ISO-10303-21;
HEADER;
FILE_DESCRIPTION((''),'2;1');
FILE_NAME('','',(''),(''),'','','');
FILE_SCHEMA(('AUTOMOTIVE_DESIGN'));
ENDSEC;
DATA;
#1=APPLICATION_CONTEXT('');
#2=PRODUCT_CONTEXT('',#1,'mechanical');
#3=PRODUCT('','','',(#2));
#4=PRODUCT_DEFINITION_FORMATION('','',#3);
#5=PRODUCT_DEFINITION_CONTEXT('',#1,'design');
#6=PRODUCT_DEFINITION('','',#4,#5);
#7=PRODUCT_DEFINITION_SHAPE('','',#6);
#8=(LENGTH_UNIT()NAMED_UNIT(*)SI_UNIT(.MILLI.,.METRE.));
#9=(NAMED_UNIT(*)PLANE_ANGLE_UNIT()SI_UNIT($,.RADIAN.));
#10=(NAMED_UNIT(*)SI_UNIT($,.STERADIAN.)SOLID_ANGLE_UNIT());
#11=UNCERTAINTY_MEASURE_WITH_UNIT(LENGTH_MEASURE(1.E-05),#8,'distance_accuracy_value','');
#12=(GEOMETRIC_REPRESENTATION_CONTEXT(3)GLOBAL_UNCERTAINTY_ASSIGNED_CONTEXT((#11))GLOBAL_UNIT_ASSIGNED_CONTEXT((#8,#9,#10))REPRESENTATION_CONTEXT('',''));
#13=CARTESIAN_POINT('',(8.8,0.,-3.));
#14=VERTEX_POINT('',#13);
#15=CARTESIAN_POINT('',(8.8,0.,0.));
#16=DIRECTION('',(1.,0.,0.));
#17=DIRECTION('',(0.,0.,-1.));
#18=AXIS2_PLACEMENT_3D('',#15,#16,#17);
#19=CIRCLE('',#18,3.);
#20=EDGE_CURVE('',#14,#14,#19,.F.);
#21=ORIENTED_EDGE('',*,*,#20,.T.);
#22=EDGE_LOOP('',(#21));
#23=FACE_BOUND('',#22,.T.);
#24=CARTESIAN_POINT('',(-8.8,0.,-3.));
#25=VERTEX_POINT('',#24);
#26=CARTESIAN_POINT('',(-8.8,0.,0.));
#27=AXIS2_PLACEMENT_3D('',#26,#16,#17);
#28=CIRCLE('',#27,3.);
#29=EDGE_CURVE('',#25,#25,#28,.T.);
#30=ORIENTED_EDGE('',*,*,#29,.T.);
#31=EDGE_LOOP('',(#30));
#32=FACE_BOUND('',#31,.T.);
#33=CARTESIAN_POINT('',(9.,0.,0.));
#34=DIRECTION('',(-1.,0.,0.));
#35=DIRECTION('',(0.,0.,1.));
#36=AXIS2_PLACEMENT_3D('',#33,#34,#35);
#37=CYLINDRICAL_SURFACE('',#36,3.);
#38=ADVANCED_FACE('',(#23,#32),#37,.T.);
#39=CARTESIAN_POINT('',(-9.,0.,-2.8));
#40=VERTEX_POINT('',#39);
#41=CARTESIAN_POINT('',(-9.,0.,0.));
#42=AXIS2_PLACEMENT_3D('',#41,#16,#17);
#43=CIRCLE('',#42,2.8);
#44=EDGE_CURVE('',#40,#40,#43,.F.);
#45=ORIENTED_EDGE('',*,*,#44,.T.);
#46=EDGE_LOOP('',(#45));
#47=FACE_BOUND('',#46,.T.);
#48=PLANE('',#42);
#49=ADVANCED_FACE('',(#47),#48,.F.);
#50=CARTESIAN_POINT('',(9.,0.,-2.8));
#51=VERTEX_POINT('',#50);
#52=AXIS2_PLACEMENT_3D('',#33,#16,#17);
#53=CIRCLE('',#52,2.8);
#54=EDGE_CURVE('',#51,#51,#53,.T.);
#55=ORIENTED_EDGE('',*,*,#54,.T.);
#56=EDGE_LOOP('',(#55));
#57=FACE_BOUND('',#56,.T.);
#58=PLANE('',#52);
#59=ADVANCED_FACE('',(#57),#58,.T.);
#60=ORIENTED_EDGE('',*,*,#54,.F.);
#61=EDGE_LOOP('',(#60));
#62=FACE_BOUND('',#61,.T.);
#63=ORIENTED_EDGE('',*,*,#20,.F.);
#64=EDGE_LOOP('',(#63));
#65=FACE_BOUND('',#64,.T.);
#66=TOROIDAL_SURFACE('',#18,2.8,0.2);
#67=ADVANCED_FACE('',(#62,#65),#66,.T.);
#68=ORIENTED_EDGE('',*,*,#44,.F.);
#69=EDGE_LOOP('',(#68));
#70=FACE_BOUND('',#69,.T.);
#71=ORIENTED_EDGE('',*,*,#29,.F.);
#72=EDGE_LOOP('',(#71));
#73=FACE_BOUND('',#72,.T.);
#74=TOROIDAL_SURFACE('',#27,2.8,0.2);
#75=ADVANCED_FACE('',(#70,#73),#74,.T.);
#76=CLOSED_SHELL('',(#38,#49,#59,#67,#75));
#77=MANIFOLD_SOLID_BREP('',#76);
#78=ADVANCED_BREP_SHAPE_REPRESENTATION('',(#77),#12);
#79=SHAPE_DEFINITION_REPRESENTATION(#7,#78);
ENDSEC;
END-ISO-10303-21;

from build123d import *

# Parameters (mm, degrees)
SKETCH1_R           = 3
BOSS_EXTRUDE1_DEPTH = 9
FILLET1_R           = 0.2


with BuildPart() as part:
    # Sketch1 → Boss-Extrude1 (new body, symmetric)
    with BuildSketch(Plane(origin=(0, 0, 0), x_dir=(0, 0, -1), z_dir=(1, 0, 0))):
        Circle(SKETCH1_R)
    extrude(amount=BOSS_EXTRUDE1_DEPTH, both=True)

    # Fillet1
    fillet1_edges = [part.edges().sort_by_distance(p)[0] for p in [
        (-9, 0, 3),
        (9, 0, 3),
    ]]
    fillet(fillet1_edges, radius=FILLET1_R)


solid = part.part
